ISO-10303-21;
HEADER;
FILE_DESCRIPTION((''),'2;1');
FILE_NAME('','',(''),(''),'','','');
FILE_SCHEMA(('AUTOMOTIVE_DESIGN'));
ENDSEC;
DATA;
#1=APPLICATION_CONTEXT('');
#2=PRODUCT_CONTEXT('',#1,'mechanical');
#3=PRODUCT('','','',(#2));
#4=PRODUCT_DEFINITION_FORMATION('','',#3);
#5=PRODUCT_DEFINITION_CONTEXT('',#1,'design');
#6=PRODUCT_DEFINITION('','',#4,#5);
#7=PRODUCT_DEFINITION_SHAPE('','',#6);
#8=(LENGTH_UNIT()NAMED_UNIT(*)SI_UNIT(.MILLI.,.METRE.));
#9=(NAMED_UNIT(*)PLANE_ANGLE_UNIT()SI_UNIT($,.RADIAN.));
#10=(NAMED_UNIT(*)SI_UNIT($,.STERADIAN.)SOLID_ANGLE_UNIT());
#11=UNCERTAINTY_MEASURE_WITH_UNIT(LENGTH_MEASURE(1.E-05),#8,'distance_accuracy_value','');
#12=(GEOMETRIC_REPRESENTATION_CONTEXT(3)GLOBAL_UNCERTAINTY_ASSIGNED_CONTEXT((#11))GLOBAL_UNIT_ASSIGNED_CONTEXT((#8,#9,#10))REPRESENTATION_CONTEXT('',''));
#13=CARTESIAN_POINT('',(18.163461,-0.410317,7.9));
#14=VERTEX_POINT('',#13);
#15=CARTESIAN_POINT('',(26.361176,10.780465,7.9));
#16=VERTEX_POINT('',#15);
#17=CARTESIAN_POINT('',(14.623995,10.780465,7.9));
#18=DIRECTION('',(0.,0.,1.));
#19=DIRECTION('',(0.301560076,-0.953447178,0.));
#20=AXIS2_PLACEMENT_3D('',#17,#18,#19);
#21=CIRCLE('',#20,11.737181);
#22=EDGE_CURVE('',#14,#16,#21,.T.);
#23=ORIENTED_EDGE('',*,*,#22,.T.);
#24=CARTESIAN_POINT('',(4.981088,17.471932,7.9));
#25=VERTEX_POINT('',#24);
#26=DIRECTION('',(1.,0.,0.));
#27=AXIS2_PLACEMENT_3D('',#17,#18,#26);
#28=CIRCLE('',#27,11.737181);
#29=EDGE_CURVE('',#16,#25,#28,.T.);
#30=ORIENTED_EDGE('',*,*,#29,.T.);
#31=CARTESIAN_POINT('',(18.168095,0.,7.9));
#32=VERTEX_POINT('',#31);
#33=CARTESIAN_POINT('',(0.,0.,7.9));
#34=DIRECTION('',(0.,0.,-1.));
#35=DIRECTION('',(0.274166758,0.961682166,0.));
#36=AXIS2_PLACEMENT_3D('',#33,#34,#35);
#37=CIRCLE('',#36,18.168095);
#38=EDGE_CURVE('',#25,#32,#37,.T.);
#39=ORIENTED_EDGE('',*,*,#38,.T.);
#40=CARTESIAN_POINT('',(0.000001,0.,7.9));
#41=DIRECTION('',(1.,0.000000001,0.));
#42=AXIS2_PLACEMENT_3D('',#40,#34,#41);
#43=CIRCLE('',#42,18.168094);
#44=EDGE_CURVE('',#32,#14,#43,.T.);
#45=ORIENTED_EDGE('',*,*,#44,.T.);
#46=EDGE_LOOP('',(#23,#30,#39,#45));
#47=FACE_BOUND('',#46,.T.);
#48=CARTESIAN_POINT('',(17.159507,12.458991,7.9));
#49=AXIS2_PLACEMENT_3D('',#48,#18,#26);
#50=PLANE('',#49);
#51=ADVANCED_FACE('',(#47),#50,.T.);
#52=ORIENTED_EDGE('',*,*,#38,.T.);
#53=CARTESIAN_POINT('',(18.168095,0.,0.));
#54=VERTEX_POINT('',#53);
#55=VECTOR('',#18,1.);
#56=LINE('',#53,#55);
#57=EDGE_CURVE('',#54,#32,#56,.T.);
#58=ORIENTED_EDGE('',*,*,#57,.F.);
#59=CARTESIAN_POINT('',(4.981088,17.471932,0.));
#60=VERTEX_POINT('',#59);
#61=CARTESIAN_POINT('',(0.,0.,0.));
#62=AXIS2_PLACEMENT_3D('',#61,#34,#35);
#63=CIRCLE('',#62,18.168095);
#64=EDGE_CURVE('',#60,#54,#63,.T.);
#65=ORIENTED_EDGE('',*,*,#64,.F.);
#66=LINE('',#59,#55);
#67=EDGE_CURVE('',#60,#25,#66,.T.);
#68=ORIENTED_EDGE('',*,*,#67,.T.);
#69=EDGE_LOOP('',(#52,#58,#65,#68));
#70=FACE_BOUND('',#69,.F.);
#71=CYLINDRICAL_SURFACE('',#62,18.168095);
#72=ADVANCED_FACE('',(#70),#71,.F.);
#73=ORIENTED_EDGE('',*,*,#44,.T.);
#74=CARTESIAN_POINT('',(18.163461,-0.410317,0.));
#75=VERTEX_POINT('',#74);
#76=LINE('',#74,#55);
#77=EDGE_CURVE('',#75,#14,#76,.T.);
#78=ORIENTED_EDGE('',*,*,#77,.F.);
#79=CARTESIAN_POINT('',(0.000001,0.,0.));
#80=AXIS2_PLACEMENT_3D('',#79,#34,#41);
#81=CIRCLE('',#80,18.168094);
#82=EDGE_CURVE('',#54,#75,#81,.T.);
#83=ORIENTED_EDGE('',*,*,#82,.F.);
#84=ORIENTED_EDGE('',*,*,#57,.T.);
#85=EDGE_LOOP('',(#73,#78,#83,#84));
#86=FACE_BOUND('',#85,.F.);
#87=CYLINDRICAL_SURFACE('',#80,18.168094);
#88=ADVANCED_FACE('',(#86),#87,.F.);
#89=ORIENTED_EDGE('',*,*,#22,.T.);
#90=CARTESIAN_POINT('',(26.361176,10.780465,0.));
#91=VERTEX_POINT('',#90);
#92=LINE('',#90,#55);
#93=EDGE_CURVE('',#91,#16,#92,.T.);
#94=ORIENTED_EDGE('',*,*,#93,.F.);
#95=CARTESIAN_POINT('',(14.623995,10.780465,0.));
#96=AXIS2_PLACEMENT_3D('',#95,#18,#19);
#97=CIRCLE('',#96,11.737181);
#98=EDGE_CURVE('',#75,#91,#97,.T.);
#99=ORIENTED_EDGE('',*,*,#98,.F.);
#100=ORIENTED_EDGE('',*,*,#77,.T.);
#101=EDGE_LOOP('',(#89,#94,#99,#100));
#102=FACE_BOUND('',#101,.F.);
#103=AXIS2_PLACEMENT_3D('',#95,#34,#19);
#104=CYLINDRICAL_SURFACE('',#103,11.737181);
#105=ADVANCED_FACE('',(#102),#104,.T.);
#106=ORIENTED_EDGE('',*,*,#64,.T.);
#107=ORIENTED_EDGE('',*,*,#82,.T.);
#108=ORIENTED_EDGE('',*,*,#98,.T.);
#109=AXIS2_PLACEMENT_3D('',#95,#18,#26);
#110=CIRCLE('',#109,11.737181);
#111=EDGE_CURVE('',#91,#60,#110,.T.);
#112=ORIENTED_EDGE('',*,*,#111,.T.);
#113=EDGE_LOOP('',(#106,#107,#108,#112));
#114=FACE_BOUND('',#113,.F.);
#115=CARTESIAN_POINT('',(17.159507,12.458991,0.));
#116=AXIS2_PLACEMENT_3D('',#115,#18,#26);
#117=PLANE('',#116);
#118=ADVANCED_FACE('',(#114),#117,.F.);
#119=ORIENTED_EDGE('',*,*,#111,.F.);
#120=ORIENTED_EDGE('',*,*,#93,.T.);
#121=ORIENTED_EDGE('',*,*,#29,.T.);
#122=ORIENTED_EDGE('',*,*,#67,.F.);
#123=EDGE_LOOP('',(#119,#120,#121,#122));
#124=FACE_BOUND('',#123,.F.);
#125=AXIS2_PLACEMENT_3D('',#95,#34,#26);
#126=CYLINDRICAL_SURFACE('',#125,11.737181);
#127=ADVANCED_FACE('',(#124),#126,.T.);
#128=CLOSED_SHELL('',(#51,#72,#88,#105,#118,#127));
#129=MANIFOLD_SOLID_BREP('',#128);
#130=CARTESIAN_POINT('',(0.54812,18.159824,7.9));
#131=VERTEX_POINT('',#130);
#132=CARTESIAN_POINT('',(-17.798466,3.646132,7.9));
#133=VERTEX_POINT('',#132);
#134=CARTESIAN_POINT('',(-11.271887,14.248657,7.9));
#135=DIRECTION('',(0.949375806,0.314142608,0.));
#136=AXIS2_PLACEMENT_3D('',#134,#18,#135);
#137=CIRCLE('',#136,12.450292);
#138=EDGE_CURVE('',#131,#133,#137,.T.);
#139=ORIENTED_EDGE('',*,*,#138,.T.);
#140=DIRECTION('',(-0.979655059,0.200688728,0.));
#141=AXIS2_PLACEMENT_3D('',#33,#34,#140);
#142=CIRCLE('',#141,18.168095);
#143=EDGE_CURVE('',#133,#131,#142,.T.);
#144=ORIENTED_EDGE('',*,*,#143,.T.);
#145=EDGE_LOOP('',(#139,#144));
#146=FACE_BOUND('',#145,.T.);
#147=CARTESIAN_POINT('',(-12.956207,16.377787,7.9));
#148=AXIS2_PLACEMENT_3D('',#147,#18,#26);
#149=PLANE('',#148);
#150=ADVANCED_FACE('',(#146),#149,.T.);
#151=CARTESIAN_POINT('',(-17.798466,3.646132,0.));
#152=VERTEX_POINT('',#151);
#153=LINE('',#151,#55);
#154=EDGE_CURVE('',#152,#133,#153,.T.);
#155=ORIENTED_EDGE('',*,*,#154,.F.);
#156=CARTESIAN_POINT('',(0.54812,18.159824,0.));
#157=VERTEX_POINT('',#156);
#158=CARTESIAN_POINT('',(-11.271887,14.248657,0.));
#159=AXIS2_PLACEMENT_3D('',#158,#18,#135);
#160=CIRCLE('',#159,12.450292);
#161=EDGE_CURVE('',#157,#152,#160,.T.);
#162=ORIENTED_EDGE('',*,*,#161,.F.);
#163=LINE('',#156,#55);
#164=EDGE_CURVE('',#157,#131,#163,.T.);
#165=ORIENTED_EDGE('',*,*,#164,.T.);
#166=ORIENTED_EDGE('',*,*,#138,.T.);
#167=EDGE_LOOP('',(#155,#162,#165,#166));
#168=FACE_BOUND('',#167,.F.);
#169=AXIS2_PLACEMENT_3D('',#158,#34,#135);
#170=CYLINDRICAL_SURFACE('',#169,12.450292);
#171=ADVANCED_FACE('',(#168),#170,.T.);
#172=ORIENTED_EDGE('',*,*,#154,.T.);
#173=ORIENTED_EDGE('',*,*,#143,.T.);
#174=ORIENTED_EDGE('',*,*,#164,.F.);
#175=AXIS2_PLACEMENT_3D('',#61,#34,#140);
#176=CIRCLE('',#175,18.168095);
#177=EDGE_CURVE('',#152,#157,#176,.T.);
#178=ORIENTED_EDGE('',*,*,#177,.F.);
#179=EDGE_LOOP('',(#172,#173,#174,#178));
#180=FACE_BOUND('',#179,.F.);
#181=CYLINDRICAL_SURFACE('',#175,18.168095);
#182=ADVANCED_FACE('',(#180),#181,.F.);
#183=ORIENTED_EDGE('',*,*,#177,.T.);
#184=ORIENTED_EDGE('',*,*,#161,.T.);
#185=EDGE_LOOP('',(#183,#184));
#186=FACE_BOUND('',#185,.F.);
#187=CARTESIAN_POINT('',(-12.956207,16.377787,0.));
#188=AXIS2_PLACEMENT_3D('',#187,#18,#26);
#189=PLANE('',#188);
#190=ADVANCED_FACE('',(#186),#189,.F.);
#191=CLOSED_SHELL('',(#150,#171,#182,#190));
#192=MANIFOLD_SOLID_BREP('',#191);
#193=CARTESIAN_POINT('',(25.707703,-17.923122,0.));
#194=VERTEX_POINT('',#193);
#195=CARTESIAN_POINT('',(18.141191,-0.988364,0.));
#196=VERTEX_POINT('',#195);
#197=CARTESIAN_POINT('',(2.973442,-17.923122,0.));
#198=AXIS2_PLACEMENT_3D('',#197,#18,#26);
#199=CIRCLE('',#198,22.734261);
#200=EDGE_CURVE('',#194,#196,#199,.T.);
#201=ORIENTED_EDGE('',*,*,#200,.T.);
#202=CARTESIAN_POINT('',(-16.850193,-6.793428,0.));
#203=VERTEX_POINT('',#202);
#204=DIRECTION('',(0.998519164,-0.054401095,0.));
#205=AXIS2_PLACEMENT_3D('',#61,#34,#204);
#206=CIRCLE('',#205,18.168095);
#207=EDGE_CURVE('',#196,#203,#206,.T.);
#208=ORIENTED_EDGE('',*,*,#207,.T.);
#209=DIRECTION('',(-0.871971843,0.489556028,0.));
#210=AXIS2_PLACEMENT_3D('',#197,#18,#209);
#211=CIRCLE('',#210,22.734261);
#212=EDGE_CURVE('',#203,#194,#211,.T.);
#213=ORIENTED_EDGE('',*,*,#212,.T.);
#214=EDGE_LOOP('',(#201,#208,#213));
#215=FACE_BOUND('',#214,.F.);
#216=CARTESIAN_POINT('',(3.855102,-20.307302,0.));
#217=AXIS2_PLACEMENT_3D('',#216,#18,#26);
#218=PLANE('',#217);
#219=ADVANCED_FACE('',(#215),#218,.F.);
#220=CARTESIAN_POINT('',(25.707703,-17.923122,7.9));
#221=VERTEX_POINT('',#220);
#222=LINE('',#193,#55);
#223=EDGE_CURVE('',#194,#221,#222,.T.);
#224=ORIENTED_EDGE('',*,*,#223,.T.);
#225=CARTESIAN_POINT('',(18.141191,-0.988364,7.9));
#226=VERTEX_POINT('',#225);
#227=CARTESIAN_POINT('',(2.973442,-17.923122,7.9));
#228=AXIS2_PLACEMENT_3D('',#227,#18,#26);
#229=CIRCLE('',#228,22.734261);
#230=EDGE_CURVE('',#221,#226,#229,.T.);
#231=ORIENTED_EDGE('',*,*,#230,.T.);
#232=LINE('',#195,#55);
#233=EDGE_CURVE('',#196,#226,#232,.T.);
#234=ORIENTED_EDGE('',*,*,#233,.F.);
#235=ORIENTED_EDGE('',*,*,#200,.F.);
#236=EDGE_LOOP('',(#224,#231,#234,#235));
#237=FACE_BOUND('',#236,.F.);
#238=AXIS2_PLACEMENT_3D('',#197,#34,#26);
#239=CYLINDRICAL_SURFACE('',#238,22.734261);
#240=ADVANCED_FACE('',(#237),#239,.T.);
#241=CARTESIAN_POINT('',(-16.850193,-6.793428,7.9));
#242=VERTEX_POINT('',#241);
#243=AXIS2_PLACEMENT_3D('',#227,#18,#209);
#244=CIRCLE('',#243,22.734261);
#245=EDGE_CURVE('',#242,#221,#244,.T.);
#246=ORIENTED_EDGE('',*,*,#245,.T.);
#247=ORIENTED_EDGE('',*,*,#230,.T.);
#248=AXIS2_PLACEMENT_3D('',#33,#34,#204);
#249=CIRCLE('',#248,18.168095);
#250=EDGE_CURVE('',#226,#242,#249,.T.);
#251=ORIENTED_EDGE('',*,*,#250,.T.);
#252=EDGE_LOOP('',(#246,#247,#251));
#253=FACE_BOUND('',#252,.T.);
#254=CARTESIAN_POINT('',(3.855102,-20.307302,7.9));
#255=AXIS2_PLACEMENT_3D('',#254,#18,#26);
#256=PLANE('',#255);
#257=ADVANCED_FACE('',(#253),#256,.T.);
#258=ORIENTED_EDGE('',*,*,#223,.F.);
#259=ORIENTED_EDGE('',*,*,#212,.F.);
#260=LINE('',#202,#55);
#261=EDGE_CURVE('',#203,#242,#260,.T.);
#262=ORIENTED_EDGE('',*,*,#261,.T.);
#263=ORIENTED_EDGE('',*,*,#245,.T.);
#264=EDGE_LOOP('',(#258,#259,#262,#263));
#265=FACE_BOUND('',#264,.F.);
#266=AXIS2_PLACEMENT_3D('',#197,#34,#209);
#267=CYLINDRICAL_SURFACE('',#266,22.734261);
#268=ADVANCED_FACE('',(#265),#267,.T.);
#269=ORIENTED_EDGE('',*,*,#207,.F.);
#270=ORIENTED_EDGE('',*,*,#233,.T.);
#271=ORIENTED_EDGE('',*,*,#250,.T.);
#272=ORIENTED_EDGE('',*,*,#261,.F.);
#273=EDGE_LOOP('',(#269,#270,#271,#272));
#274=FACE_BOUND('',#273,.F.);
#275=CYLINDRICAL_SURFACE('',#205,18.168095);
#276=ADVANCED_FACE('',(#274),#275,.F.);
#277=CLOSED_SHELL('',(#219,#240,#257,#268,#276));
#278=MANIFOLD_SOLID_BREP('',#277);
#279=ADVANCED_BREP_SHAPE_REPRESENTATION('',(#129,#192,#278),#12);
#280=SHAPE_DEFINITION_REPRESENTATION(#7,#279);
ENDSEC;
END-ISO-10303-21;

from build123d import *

# Parameters (mm, degrees)
F1_DEPTH = 7.9


with BuildPart() as f1:
    # F0 (on Top) → F1 (new body)
    with BuildSketch(Plane.XY):
        with BuildLine():
            ThreePointArc((-17.7984656922, 3.6461317849), (-11.2718866237, 14.2486571274), (0.5481196543, 18.1598244164))
            ThreePointArc((0.5481196543, 18.1598244164), (-18.9963226132, 24.0130243173), (-17.7984656922, 3.6461317849))
        make_face()
    extrude(amount=F1_DEPTH)


with BuildPart() as f1b:
    # F0 (on Top) → F1, piece 2 (new body)
    with BuildSketch(Plane.XY):
        with BuildLine():
            ThreePointArc((25.7077028639, -17.9231219126), (23.7300574383, -8.6489895256), (18.1411905374, -0.9883642426))
            ThreePointArc((18.1411905374, -0.9883642426), (2.9734422638, -17.9231219126), (-16.8501928605, -6.7934275999))
            ThreePointArc((-16.8501928605, -6.7934275999), (-2.778553828, -39.9176927426), (25.7077028639, -17.9231219126))
        make_face()
    extrude(amount=F1_DEPTH)


with BuildPart() as f1c:
    # F0 (on Top) → F1, piece 3 (new body)
    with BuildSketch(Plane.XY):
        with BuildLine():
            ThreePointArc((4.9810875648, 17.4719324822), (14.5013193816, 10.9449254993), (18.1680945063, 0))
            ThreePointArc((18.1680945063, 0), (18.1669359704, -0.2051717319), (18.1634605102, -0.4103172972))
            ThreePointArc((18.1634605102, -0.4103172972), (24.0924893274, 3.8443968888), (26.3611761784, 10.7804646142))
            ThreePointArc((26.3611761784, 10.7804646142), (18.1297663877, 21.9818476912), (4.9810875648, 17.4719324822))
        make_face()
    extrude(amount=F1_DEPTH)


solid = Compound([f1.part, f1b.part, f1c.part])
